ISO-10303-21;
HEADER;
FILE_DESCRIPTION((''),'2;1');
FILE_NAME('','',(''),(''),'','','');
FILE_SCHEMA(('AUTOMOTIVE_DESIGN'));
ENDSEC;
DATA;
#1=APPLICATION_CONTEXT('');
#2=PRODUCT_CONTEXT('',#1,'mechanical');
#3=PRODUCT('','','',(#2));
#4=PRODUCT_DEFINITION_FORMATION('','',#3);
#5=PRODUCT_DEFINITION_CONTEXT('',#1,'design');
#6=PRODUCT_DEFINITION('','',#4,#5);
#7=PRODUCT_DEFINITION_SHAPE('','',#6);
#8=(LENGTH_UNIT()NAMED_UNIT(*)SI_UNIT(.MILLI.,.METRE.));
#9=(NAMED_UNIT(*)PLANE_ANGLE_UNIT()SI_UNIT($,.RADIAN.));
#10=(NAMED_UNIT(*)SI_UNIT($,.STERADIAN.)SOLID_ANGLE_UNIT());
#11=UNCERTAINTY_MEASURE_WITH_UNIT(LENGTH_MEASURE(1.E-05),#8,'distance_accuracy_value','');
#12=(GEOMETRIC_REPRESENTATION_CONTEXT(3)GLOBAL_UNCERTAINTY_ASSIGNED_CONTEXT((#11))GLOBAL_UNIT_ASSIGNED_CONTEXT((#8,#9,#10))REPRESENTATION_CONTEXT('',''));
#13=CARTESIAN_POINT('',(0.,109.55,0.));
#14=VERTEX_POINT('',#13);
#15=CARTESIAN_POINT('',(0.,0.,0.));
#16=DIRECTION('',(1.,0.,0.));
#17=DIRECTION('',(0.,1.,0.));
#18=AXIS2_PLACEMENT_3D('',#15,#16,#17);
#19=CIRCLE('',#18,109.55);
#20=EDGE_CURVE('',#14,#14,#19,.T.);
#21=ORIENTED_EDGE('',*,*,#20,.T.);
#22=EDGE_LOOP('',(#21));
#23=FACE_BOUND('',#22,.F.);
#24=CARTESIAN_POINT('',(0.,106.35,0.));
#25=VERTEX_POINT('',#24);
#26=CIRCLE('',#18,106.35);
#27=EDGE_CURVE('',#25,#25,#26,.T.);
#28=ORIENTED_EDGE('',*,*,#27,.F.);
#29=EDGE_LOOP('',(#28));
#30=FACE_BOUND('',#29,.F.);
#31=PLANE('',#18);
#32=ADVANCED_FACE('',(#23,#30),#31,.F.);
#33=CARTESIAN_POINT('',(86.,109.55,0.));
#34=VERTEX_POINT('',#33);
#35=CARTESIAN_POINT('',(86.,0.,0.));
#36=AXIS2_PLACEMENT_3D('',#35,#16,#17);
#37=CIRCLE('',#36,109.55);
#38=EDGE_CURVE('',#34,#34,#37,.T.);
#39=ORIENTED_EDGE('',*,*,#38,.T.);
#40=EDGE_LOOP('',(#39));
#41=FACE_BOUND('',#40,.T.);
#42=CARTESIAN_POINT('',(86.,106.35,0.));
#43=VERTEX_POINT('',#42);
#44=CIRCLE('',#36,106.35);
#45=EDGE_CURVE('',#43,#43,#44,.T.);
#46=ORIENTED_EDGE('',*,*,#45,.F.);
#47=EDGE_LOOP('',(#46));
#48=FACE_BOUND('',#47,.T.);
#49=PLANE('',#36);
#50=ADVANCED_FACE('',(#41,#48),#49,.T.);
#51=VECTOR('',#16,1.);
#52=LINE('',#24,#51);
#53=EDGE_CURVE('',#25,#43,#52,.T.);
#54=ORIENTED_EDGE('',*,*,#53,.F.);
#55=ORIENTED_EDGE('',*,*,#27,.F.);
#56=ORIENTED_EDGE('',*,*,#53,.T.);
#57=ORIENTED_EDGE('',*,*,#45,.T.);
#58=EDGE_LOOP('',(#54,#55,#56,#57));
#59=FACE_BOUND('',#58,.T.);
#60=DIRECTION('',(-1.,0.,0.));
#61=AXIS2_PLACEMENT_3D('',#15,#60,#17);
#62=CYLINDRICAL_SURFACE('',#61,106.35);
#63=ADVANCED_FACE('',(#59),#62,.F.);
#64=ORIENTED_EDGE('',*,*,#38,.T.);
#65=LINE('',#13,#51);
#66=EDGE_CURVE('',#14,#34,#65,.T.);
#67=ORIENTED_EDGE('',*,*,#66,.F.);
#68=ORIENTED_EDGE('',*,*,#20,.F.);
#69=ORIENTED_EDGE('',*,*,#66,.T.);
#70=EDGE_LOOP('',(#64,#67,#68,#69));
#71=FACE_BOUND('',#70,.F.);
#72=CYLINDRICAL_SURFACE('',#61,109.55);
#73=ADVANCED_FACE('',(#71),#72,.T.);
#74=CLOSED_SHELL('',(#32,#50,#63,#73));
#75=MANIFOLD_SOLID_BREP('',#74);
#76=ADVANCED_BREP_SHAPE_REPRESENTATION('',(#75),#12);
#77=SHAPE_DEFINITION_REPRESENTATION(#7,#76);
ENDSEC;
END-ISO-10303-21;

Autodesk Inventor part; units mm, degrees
ref_plane "YZ Plane" through (0, 0, 0) normal (1, 0, 0) x (0, 1, 0)
ref_plane "XZ Plane" through (0, 0, 0) normal (0, 1, 0) x (-1, 0, 0)
ref_plane "XY Plane" through (0, 0, 0) normal (0, 0, 1) x (1, 0, 0)
sketch "Sketch1" plane through (0, 0, 0) normal (1, 0, 0) x (0, 1, 0)
  circle A0 centre (0, 0) radius 109.55
  circle A1 centre (0, 0) radius 106.35
  dimension "d0" = 219.1
  dimension "d1" = 3.2
extrude "Extrusion1" add sketch "Sketch1" along normal blind 86
equation "\"d0\" = OD"
equation "\"d1\" = t"
equation "\"d2\" = L"
equation "\"OD\" = 219.1"
equation "\"t\" = 3.2"
equation "\"L\" = PL"
equation "\"ID\" = 212.7"
equation "\"PL\" = 86"
equation "\"Size_Designation\" = 1.2345"
properties material "Steel"
